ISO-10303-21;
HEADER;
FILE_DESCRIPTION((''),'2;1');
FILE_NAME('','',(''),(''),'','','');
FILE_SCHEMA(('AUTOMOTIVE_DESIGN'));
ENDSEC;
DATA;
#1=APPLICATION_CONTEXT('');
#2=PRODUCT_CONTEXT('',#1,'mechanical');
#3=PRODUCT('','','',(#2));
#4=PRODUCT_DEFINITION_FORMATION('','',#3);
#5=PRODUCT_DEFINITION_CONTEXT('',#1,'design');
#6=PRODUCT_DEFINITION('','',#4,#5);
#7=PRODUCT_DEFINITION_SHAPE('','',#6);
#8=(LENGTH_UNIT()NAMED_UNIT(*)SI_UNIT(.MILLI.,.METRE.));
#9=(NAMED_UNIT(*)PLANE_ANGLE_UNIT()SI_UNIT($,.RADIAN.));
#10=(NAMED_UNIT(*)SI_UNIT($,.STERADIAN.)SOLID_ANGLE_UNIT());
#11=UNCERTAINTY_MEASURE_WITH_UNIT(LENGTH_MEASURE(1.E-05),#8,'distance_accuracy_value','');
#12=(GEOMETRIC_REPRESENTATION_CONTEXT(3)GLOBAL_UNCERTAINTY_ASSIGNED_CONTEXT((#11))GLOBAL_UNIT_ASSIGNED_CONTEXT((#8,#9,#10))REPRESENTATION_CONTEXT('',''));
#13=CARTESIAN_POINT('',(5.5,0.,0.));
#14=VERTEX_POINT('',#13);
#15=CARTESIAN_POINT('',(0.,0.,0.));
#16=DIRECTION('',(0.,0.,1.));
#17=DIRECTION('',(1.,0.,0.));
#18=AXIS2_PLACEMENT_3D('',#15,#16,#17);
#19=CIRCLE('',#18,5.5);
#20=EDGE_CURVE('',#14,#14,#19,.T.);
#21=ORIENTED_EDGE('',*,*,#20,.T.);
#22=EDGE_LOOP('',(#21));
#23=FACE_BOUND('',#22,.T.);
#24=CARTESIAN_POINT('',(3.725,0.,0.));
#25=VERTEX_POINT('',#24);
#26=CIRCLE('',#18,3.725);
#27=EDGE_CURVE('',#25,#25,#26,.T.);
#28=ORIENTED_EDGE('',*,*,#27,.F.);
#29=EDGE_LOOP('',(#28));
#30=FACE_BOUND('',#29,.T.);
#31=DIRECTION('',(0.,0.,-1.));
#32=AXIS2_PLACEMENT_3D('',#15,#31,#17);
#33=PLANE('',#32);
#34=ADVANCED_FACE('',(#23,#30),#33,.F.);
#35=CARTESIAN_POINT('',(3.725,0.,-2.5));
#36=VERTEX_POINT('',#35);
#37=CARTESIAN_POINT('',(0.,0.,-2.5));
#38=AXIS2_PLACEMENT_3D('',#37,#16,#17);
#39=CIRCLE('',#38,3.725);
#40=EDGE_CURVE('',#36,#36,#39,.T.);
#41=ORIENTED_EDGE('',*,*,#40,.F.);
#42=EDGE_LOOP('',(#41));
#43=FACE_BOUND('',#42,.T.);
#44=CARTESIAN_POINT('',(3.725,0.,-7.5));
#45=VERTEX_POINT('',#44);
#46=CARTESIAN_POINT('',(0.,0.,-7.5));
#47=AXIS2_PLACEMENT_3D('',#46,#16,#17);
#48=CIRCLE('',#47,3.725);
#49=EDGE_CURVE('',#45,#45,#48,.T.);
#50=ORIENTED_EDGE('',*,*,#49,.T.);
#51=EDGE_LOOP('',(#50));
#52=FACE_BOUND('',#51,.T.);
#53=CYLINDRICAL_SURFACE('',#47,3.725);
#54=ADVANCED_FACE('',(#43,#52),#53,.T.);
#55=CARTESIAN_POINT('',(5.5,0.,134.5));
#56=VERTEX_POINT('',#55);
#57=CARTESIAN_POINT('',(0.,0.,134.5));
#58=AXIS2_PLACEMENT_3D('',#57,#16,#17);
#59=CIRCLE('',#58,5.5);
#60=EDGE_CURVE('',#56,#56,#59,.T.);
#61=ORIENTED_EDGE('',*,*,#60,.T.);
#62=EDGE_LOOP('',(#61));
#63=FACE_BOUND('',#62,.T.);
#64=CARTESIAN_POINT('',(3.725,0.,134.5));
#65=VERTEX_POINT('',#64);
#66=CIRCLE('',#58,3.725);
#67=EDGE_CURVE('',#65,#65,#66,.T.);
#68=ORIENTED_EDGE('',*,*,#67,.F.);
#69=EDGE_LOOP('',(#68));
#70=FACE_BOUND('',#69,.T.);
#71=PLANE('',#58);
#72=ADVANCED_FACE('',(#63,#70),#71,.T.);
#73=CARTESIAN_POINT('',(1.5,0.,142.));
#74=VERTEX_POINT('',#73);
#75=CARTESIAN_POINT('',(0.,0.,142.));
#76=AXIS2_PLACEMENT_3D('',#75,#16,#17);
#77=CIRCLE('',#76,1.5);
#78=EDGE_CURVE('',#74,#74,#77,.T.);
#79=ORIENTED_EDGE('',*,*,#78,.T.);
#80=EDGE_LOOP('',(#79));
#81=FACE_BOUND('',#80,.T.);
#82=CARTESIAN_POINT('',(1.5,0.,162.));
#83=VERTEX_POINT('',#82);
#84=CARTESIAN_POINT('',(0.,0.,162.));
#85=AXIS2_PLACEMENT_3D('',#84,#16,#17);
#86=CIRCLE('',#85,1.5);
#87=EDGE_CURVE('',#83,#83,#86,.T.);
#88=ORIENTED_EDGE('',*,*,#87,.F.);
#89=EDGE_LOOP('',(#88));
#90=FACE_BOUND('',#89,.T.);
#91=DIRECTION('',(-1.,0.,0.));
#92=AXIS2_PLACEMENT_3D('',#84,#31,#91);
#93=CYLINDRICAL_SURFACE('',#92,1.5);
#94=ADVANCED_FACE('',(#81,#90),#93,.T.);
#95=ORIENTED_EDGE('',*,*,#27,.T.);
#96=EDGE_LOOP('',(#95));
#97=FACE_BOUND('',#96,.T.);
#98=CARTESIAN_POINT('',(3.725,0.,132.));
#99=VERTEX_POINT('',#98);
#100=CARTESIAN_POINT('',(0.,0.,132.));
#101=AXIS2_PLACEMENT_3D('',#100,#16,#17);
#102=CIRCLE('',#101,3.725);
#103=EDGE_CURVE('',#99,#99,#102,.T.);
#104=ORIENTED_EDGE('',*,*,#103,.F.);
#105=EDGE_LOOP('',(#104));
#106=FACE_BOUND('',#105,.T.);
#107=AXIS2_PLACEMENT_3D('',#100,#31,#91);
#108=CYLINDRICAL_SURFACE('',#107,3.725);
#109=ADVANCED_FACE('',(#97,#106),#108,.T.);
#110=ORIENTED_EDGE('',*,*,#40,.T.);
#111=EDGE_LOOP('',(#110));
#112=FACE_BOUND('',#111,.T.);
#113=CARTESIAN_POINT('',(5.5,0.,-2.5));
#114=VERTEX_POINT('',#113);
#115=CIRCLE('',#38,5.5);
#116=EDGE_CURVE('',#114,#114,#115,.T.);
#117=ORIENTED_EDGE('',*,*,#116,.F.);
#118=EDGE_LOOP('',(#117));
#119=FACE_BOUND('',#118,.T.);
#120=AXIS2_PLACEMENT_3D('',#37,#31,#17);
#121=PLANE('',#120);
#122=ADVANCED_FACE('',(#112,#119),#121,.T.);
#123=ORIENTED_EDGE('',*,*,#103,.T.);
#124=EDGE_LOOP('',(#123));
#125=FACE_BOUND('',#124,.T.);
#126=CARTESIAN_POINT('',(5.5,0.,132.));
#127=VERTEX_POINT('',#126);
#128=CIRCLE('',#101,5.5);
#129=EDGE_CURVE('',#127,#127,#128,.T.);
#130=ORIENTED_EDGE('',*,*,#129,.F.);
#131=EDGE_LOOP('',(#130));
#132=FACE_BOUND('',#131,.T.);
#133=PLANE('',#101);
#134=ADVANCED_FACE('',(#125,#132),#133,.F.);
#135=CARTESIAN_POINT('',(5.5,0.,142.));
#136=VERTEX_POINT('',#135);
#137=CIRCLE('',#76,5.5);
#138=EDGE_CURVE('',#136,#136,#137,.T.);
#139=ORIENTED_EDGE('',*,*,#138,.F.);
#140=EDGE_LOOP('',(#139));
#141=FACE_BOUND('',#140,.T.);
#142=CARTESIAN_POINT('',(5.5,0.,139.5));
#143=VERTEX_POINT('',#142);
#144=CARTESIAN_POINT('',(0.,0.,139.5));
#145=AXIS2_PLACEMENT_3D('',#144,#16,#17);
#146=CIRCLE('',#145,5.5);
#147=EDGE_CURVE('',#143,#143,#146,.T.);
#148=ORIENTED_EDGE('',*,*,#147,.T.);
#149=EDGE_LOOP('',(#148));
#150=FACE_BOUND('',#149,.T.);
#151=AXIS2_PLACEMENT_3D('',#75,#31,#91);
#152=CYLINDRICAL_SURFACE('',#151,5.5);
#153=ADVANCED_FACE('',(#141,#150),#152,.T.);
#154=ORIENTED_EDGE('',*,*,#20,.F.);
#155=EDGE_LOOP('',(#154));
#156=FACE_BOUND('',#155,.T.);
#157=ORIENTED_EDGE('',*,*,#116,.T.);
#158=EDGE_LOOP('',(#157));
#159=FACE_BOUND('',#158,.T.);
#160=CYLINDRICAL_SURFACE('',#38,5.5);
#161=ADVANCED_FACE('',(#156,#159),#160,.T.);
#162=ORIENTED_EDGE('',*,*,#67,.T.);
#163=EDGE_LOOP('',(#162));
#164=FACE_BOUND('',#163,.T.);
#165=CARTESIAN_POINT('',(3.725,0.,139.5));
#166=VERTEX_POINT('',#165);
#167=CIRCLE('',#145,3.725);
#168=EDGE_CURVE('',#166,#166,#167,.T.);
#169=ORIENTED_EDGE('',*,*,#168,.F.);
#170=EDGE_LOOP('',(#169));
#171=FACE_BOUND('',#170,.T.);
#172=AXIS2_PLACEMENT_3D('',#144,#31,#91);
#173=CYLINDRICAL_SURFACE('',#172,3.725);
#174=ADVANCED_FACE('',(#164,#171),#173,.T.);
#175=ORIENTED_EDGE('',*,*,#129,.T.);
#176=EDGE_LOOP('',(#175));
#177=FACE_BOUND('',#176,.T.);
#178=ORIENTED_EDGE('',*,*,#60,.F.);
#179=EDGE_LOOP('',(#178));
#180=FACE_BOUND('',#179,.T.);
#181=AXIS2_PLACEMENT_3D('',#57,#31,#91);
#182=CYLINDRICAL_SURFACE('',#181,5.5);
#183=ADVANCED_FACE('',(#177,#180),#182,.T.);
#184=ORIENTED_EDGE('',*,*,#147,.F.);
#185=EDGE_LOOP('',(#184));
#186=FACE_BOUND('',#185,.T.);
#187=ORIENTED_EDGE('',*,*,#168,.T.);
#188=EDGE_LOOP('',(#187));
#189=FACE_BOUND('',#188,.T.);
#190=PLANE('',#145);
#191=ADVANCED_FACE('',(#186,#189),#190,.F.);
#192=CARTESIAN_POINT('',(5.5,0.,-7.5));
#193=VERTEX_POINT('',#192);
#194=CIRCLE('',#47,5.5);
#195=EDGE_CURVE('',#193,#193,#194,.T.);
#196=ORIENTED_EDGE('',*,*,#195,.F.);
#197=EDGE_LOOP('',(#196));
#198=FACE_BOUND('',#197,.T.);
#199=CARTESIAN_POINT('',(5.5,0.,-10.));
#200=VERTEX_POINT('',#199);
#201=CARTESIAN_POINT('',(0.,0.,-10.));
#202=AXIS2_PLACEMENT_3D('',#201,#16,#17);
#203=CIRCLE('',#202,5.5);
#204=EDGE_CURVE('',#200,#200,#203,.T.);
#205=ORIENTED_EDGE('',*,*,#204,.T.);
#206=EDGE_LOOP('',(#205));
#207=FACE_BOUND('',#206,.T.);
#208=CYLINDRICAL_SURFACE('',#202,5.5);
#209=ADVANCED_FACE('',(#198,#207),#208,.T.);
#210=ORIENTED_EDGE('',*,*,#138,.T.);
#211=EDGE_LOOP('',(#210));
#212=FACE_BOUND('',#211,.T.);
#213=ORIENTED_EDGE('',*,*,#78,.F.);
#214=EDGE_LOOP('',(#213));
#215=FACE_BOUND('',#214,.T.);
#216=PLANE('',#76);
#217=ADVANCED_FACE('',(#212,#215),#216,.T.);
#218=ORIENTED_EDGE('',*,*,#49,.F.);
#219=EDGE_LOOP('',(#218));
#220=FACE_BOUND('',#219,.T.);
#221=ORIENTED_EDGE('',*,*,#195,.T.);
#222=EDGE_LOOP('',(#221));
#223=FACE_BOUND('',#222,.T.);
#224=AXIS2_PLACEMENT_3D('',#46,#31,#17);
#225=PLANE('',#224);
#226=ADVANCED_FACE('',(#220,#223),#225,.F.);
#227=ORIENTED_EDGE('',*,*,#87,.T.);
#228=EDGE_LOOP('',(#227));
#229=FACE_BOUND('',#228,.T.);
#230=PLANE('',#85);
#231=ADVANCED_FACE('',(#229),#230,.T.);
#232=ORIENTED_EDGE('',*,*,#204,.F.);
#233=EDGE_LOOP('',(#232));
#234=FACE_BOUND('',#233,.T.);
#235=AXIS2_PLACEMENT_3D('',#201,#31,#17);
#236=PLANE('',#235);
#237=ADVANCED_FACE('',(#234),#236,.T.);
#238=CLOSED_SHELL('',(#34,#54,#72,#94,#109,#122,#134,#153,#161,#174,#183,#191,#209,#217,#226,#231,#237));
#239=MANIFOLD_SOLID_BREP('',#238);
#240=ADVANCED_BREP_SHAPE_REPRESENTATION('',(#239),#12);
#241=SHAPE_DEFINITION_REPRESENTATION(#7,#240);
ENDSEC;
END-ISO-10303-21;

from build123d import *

# Parameters (mm, degrees)
SKETCH1_R           = 3.725
BOSS_EXTRUDE1_DEPTH = 132
SKETCH3_R           = 5.5
BOSS_EXTRUDE3_DEPTH = 2.5
SKETCH4_R           = 3.725
BOSS_EXTRUDE4_DEPTH = 5
SKETCH5_R           = 5.5
BOSS_EXTRUDE5_DEPTH = 2.5
SKETCH6_R           = 1.5
BOSS_EXTRUDE6_DEPTH = 20


with BuildPart() as part:
    # Sketch1 → Boss-Extrude1 (new body)
    with BuildSketch(Plane.XY):
        Circle(SKETCH1_R)
    extrude(amount=BOSS_EXTRUDE1_DEPTH)

    # Sketch3 → Boss-Extrude3 (add)
    with BuildSketch(Plane.XY.offset(132)):
        Circle(SKETCH3_R)
    boss_extrude3 = extrude(amount=BOSS_EXTRUDE3_DEPTH)

    # Sketch4 → Boss-Extrude4 (add)
    with BuildSketch(Plane.XY.offset(134.5)):
        Circle(SKETCH4_R)
    boss_extrude4 = extrude(amount=BOSS_EXTRUDE4_DEPTH)

    # Sketch5 → Boss-Extrude5 (add)
    with BuildSketch(Plane.XY.offset(139.5)):
        Circle(SKETCH5_R)
    boss_extrude5 = extrude(amount=BOSS_EXTRUDE5_DEPTH)

    # Mirror2: Boss-Extrude3, Boss-Extrude4, Boss-Extrude5 across plane
    add(boss_extrude3.mirror(Plane.XY.offset(66)))
    add(boss_extrude4.mirror(Plane.XY.offset(66)))
    add(boss_extrude5.mirror(Plane.XY.offset(66)))

    # Sketch6 → Boss-Extrude6 (add)
    with BuildSketch(Plane.XY.offset(142)):
        Circle(SKETCH6_R)
    extrude(amount=BOSS_EXTRUDE6_DEPTH)


solid = part.part
